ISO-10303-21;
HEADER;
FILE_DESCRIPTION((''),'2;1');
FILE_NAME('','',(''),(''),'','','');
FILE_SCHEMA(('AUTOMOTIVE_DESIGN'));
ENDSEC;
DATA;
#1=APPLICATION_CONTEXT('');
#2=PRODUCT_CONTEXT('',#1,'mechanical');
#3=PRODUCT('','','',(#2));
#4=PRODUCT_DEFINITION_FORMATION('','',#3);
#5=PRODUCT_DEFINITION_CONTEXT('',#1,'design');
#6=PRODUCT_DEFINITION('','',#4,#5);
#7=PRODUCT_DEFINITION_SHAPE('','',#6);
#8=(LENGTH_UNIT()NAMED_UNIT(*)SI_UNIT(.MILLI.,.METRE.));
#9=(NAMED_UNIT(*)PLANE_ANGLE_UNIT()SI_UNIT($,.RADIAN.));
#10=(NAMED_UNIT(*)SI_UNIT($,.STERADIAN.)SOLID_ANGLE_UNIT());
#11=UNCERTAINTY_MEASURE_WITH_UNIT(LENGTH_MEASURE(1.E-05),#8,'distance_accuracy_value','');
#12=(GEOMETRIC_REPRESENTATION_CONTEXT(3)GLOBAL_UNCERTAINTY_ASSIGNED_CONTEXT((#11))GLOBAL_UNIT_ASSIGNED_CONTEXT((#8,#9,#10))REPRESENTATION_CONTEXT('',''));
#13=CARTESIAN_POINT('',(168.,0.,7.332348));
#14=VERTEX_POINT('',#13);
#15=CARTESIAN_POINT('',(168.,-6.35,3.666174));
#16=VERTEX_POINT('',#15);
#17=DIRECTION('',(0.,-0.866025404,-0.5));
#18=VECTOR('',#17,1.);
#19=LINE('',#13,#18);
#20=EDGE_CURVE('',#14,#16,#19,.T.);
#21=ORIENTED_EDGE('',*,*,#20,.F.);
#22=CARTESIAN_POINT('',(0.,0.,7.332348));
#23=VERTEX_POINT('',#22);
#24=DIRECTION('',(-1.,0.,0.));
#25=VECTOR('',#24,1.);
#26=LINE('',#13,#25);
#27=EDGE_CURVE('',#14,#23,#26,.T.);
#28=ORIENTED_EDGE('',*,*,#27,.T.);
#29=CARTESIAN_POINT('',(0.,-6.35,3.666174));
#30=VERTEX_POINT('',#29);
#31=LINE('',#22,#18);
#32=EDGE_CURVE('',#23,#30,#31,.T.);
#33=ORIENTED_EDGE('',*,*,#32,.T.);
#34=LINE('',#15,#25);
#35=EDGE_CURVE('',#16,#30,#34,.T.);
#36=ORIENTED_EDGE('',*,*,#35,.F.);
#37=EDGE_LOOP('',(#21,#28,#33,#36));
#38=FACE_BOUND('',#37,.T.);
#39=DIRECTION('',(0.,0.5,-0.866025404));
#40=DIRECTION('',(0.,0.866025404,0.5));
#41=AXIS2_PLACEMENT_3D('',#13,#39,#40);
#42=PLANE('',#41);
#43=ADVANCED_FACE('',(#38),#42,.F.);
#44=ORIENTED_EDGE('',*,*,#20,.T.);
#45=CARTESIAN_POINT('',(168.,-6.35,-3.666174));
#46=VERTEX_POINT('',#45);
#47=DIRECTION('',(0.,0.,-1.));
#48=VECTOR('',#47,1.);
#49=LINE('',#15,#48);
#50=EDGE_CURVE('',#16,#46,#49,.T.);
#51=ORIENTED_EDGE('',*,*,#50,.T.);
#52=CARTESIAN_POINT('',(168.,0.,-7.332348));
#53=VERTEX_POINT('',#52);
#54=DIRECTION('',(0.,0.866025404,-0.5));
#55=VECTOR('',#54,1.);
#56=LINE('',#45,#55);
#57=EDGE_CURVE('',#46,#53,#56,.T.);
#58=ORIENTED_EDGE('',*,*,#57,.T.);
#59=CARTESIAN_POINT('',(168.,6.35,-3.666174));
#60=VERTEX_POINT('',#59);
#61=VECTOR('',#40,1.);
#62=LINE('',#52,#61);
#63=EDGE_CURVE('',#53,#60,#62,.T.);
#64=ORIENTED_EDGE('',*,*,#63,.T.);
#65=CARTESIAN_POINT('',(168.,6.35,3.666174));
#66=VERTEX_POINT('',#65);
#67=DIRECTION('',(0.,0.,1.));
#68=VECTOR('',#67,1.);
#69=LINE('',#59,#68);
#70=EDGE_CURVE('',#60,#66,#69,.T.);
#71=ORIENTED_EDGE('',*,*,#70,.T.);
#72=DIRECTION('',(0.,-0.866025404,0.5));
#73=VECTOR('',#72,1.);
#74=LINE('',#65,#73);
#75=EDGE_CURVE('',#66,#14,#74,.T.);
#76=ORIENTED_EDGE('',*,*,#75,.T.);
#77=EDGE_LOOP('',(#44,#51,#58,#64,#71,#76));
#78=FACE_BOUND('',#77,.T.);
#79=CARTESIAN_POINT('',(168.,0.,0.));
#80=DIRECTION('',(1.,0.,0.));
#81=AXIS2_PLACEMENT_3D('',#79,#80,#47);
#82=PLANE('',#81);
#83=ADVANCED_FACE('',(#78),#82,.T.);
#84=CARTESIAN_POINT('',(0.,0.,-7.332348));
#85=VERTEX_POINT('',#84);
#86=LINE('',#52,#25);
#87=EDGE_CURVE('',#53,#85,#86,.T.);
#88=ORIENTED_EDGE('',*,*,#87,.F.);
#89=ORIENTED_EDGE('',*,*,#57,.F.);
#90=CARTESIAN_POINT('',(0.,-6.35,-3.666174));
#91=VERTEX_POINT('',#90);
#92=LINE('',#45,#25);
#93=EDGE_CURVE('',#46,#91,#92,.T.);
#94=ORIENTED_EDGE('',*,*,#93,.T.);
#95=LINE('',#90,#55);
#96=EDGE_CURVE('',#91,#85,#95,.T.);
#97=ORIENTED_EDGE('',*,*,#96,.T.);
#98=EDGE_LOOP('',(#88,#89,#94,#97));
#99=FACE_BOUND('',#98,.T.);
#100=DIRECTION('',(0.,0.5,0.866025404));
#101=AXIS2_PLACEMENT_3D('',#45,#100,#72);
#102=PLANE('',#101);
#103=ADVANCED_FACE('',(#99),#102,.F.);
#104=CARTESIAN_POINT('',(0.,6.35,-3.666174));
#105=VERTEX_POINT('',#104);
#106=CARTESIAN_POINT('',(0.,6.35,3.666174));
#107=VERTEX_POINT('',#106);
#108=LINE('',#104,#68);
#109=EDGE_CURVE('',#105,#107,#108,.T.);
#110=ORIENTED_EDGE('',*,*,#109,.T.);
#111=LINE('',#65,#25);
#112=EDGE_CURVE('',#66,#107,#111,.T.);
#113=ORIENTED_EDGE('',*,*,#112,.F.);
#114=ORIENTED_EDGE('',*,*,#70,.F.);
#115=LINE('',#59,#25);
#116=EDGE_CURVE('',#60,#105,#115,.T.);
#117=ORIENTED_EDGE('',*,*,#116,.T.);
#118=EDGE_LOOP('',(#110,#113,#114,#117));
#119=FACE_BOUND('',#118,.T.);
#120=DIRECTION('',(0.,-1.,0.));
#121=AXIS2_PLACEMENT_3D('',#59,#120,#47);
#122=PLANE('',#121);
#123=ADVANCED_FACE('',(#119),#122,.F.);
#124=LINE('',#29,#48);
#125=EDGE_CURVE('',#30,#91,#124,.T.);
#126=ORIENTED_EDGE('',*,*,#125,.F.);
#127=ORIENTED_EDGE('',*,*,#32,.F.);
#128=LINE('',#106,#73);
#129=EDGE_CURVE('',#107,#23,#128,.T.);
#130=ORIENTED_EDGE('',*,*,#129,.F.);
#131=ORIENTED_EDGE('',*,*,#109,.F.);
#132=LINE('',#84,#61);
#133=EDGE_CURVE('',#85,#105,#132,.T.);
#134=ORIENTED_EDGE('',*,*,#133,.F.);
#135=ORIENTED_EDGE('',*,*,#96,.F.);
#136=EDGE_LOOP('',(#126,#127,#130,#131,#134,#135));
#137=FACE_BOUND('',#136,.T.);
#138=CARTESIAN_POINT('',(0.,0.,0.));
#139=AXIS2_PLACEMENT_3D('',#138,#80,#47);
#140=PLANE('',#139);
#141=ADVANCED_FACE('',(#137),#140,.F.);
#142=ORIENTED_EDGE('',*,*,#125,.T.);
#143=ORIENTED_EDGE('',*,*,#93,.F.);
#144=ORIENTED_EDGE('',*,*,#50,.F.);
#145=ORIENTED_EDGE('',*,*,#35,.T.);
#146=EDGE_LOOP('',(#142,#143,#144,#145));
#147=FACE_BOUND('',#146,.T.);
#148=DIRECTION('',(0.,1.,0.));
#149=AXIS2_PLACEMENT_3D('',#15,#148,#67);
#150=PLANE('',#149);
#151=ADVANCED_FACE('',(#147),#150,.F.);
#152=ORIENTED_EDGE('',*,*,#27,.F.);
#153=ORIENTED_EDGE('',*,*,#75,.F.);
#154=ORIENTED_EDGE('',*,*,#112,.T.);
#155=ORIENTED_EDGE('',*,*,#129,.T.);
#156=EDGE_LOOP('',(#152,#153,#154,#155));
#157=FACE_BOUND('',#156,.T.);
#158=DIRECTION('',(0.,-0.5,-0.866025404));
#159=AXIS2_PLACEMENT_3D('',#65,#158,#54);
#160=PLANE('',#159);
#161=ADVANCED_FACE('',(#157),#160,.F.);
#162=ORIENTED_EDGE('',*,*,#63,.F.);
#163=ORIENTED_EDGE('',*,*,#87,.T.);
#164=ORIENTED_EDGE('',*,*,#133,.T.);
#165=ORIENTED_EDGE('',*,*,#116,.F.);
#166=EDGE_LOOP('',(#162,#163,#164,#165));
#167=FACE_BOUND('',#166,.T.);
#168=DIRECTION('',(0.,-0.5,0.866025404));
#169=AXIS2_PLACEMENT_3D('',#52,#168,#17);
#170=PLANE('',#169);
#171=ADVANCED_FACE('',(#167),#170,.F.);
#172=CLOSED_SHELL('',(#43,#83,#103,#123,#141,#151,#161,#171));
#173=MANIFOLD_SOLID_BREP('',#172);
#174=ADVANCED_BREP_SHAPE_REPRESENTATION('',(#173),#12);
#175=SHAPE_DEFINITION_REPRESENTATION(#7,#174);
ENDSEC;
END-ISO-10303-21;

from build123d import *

# Parameters (mm, degrees)
SALIENTE_EXTRUIR1_DEPTH = 168


with BuildPart() as part:
    # Croquis1 → Saliente-Extruir1 (new body)
    with BuildSketch(Plane(origin=(0, 0, 0), x_dir=(0, 0, -1), z_dir=(1, 0, 0))):
        Polygon((7.332348419, 0), (3.666174209, 6.35), (-3.666174209, 6.35), (-7.332348419, 0), (-3.666174209, -6.35), (3.666174209, -6.35), align=None)
    extrude(amount=SALIENTE_EXTRUIR1_DEPTH)


solid = part.part
